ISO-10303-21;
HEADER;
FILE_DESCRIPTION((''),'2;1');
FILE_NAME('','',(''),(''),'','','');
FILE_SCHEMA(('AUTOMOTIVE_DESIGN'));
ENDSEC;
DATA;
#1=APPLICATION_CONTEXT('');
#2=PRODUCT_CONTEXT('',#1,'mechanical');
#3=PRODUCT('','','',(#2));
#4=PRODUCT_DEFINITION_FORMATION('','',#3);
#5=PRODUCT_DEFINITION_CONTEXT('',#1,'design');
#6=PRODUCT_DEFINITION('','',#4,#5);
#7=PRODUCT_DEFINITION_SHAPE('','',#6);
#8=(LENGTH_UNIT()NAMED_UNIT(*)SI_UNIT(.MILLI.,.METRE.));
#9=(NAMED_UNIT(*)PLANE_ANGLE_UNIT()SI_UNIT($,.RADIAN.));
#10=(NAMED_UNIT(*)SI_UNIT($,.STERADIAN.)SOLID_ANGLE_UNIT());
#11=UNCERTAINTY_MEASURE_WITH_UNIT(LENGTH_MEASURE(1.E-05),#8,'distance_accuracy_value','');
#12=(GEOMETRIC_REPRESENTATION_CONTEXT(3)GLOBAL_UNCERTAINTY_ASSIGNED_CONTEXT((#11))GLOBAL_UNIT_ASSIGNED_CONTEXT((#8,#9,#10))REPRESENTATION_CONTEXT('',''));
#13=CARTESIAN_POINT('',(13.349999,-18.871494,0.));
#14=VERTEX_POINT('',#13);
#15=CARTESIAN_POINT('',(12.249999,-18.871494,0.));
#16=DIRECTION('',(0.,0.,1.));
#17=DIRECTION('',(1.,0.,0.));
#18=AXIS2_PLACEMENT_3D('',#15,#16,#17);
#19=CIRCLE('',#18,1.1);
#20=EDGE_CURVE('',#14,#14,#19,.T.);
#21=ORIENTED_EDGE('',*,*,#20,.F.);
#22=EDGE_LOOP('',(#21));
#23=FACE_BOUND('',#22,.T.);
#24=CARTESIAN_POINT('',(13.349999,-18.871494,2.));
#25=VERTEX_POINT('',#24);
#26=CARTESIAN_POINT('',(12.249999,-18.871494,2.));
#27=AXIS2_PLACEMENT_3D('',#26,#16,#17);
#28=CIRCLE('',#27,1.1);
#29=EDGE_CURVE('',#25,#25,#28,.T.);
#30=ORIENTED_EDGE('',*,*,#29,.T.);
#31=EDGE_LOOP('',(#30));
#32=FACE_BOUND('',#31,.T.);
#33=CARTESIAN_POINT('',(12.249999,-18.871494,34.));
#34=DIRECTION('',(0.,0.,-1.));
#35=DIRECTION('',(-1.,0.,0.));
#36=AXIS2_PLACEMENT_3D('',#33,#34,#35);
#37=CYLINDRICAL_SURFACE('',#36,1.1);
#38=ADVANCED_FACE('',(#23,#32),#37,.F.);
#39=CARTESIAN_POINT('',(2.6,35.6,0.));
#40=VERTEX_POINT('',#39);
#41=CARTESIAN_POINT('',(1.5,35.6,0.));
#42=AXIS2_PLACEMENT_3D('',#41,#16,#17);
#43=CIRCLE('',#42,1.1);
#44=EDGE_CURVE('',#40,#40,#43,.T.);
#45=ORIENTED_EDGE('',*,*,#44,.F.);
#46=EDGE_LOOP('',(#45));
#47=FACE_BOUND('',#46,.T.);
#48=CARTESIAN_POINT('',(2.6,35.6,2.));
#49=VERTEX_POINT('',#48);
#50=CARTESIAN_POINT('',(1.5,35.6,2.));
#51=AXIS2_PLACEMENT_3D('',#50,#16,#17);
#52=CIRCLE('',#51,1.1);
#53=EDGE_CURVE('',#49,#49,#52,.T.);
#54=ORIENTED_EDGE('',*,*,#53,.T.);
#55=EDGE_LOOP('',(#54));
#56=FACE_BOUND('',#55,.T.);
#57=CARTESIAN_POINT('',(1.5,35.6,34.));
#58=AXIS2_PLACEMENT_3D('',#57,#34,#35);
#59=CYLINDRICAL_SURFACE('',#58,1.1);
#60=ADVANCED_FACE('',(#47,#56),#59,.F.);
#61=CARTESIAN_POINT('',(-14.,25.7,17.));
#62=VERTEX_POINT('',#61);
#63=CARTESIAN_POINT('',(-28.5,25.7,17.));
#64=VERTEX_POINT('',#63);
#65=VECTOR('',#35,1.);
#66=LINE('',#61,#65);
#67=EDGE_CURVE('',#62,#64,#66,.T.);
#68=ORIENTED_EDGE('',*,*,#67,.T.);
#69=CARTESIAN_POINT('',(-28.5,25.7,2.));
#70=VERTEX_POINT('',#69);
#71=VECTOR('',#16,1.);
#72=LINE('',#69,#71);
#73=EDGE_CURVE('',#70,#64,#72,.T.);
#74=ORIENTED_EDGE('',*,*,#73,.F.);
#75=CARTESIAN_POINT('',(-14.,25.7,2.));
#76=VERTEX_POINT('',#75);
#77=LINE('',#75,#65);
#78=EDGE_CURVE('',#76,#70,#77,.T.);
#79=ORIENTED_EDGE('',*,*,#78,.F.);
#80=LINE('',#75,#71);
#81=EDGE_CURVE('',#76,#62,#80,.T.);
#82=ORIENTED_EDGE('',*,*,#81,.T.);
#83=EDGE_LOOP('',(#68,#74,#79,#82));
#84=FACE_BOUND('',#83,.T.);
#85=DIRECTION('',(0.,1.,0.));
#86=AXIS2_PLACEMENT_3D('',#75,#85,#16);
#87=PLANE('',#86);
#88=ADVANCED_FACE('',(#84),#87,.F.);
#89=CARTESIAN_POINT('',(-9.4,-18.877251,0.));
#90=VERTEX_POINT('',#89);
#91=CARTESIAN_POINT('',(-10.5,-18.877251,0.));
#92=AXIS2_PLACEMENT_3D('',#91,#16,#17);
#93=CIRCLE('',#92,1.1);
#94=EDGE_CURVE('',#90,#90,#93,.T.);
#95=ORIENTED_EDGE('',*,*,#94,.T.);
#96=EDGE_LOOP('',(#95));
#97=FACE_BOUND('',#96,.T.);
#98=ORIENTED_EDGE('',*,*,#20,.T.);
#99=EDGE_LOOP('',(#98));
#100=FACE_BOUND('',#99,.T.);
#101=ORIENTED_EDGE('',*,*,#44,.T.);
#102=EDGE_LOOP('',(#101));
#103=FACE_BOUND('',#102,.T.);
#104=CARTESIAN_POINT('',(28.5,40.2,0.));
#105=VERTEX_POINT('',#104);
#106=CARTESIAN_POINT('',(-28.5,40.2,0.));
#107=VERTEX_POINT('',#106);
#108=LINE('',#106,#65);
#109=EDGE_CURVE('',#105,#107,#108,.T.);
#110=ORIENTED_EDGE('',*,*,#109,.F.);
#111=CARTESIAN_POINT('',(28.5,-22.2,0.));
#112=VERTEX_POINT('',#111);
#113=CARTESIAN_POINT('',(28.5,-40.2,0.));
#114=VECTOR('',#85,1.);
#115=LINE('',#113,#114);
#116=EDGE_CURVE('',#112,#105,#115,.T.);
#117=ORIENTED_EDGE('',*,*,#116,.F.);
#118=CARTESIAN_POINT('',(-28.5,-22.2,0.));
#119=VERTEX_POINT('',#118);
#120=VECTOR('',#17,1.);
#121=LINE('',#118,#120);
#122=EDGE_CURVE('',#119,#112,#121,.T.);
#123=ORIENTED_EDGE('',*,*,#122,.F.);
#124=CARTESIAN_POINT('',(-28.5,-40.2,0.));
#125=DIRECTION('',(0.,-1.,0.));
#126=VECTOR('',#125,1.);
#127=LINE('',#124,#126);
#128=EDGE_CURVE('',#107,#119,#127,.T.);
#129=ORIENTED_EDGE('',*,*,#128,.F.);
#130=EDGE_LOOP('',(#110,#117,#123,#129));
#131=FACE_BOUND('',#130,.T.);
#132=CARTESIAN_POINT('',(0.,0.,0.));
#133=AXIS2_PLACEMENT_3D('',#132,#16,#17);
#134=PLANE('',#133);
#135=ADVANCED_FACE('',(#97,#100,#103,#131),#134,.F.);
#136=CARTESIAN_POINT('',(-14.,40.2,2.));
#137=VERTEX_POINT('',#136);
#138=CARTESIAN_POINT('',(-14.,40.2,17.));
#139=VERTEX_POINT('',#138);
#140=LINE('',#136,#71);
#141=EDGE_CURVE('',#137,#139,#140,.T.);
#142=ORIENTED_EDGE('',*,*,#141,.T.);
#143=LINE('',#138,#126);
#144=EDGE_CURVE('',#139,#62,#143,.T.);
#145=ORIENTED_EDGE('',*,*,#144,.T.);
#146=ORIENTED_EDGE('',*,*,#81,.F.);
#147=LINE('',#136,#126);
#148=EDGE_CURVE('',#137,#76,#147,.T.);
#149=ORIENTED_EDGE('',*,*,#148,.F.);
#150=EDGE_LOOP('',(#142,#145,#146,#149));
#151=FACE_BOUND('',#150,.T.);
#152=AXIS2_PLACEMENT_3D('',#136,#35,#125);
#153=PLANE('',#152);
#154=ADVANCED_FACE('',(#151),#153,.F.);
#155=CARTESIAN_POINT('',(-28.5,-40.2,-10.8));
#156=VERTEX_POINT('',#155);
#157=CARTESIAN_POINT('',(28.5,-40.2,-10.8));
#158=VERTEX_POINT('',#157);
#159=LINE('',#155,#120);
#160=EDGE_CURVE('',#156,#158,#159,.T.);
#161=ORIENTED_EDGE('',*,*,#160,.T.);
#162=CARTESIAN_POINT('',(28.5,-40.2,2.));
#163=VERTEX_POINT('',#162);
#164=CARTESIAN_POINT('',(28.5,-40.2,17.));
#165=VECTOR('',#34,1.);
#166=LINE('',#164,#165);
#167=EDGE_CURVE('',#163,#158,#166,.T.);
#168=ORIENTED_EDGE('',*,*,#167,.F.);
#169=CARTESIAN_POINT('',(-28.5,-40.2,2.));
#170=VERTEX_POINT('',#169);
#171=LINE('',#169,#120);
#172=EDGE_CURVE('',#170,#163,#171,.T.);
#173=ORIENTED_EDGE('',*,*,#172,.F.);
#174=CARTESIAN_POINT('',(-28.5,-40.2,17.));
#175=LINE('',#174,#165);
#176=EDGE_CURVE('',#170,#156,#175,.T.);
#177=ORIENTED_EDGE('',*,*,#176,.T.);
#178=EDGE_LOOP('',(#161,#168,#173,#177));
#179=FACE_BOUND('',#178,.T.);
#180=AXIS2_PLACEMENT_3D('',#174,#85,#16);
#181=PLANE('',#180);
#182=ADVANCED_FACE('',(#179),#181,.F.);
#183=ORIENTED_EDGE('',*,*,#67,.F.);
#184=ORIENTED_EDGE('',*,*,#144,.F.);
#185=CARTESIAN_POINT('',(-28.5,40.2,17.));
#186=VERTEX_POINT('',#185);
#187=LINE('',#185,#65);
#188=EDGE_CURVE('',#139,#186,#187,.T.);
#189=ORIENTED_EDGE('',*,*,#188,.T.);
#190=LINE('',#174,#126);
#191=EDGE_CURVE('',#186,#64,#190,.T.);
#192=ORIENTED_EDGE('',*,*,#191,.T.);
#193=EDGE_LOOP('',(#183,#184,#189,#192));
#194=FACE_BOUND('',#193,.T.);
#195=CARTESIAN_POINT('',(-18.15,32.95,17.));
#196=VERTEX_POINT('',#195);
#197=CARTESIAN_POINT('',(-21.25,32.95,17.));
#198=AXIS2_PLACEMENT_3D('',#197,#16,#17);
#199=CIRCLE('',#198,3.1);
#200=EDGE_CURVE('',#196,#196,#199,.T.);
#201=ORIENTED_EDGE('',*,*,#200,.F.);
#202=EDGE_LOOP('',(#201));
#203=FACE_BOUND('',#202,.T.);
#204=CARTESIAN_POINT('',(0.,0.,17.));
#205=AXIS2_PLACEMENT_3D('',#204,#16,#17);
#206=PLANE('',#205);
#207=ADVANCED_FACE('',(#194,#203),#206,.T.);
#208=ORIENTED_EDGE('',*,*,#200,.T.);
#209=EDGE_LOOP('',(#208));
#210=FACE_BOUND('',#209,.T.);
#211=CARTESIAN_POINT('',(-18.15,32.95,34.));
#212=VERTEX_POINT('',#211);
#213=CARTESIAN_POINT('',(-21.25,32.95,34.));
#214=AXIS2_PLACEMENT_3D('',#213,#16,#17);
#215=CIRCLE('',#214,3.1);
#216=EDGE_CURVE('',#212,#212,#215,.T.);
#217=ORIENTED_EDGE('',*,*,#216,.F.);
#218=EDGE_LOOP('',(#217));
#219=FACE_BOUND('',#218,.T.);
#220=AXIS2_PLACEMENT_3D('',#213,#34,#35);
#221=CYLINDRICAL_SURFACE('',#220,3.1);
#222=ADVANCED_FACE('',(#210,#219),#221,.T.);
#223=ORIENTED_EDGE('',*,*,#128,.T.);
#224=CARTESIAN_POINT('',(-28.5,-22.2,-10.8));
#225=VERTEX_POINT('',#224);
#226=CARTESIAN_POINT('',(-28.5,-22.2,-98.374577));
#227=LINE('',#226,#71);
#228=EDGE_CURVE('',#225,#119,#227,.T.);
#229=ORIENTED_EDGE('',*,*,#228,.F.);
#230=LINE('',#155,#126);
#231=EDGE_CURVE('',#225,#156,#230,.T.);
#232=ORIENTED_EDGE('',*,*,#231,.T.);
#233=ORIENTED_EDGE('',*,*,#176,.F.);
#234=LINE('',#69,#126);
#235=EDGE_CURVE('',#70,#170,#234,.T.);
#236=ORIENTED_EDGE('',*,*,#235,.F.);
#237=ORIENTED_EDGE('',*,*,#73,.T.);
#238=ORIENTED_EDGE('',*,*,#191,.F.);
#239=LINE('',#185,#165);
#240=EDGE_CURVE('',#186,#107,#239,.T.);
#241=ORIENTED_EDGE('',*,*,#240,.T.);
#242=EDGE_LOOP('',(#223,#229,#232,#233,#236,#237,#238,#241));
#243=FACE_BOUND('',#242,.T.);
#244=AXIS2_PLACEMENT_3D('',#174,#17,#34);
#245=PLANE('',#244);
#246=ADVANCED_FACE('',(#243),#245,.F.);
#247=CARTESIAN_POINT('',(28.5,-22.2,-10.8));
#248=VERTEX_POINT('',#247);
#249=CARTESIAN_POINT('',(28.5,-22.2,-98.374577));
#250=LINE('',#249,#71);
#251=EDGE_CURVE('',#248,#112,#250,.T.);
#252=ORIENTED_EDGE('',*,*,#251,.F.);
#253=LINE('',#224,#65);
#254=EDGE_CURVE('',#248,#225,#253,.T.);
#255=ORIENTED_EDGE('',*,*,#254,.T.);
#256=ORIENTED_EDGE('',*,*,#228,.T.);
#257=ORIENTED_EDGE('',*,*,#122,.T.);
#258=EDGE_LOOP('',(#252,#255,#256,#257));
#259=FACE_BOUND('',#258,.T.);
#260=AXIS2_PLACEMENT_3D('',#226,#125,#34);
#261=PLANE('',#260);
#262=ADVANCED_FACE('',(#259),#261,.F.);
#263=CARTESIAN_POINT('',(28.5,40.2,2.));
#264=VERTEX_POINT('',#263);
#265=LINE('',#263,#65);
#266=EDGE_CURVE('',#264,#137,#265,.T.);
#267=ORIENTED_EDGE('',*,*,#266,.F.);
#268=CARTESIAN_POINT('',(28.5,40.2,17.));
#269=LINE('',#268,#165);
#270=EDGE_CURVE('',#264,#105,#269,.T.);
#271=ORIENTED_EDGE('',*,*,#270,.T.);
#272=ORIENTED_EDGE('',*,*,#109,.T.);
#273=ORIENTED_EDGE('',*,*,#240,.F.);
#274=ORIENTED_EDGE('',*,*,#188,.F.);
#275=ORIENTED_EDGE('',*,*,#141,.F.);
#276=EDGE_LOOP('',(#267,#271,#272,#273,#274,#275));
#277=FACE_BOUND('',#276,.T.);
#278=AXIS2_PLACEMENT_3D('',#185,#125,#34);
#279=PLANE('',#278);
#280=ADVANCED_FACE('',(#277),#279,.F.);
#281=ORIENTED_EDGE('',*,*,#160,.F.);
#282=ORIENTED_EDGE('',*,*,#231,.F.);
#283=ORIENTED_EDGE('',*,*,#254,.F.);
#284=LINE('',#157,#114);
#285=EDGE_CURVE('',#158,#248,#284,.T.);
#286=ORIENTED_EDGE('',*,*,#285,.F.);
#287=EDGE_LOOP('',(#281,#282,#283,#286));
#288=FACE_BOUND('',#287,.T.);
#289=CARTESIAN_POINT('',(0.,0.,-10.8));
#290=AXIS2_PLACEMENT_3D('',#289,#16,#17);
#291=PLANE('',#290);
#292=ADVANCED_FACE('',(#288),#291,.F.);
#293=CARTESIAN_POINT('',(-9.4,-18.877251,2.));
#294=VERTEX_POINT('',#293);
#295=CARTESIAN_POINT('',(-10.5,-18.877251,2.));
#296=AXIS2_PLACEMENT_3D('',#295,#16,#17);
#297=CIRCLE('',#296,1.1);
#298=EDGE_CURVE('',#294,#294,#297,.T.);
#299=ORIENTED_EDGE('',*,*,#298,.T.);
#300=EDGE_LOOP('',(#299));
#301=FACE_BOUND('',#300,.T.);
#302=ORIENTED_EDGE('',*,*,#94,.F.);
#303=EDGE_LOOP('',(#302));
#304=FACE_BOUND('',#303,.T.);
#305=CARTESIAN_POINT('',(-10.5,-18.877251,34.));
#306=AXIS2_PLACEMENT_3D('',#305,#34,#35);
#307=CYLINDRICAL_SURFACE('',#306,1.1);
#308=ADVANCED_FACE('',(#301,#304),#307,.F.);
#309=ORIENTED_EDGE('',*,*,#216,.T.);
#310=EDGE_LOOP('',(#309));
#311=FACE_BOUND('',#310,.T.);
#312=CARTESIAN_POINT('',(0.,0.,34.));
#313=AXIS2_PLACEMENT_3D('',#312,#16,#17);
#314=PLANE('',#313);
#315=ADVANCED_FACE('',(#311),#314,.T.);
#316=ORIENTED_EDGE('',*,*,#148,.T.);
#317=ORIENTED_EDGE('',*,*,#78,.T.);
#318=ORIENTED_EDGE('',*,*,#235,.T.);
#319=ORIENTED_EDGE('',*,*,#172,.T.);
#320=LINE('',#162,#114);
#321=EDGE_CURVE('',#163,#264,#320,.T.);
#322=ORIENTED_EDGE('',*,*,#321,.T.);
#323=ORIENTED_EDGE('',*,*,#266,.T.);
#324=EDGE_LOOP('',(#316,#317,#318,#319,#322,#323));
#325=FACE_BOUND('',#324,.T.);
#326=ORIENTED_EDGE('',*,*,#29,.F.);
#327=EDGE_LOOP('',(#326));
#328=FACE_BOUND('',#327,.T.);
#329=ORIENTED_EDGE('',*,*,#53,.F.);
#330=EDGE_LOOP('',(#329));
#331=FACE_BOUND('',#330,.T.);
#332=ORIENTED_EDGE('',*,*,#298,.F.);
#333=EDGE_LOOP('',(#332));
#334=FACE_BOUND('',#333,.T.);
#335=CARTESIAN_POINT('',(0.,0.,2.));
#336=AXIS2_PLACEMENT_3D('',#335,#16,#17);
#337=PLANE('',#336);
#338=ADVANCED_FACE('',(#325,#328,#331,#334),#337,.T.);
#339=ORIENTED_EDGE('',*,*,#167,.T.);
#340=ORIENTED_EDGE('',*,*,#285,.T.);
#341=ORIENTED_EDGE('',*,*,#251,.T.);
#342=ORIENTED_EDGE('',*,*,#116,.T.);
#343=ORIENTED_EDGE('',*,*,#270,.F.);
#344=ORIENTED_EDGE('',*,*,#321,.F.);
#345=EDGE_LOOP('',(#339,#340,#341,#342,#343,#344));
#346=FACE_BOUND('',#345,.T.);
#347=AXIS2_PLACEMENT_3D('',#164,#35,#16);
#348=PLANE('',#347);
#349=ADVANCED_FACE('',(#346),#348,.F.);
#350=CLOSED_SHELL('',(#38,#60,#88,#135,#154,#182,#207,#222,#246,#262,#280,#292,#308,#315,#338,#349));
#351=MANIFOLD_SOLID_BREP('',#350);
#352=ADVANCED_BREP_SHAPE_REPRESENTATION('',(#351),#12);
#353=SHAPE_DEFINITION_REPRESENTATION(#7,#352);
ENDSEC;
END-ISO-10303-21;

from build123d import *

# Parameters (mm, degrees)
SKETCH1_W               = 80.4
SKETCH1_H               = 57
BOSS_EXTRUDE1_DEPTH     = 17
SKETCH2_R               = 3.1
BOSS_EXTRUDE2_DEPTH     = 17
SKETCH3_W               = 57
SKETCH3_H               = 18
BOSS_EXTRUDE3_DEPTH     = 10.8
CUT_EXTRUDE1_DEPTH      = 15
CUT_EXTRUDE2_DEPTH      = 60.868940194
CUT_EXTRUDE2_DEPTH_BACK = 60.868940194
SKETCH5_R               = 1.1


with BuildPart() as part:
    # Sketch1 → Boss-Extrude1 (new body)
    with BuildSketch(Plane(origin=(0, 0, 0), x_dir=(0, 1, 0), z_dir=(0, 0, 1))):
        Rectangle(SKETCH1_W, SKETCH1_H)
    extrude(amount=BOSS_EXTRUDE1_DEPTH)

    # Sketch2 → Boss-Extrude2 (add)
    with BuildSketch(Plane.XY.offset(17)):
        with Locations((-21.25, 32.95)):
            Circle(SKETCH2_R)
    extrude(amount=BOSS_EXTRUDE2_DEPTH)

    # Sketch3 → Boss-Extrude3 (add)
    with BuildSketch(Plane(origin=(0, 0, 0), x_dir=(1, 0, 0), z_dir=(0, 0, -1))):
        with Locations((0, 31.2)):
            Rectangle(SKETCH3_W, SKETCH3_H)
    extrude(amount=BOSS_EXTRUDE3_DEPTH)

    # Sketch4 → Cut-Extrude1 (cut)
    with BuildSketch(Plane.XY.offset(17)):
        Polygon((-14, 40.2), (-14, 25.7), (-28.5, 25.7), (-28.5, -40.2), (28.5, -40.2), (28.5, 40.2), align=None)
    extrude(amount=-CUT_EXTRUDE1_DEPTH, mode=Mode.SUBTRACT)

    # Sketch5 → Cut-Extrude2 (cut, two sides: drawn at the far end of the back side and taken through both)
    with BuildSketch(Plane(origin=(0, 0, 0), x_dir=(1, 0, 0), z_dir=(0, 0, -1)).offset(-CUT_EXTRUDE2_DEPTH_BACK)):
        with Locations((1.5, -35.6)):
            Circle(SKETCH5_R)
        with Locations((-10.5, 18.877250546)):
            Circle(SKETCH5_R)
        with Locations((12.249999272, 18.87149398)):
            Circle(SKETCH5_R)
    extrude(amount=CUT_EXTRUDE2_DEPTH + CUT_EXTRUDE2_DEPTH_BACK, mode=Mode.SUBTRACT)


solid = part.part
